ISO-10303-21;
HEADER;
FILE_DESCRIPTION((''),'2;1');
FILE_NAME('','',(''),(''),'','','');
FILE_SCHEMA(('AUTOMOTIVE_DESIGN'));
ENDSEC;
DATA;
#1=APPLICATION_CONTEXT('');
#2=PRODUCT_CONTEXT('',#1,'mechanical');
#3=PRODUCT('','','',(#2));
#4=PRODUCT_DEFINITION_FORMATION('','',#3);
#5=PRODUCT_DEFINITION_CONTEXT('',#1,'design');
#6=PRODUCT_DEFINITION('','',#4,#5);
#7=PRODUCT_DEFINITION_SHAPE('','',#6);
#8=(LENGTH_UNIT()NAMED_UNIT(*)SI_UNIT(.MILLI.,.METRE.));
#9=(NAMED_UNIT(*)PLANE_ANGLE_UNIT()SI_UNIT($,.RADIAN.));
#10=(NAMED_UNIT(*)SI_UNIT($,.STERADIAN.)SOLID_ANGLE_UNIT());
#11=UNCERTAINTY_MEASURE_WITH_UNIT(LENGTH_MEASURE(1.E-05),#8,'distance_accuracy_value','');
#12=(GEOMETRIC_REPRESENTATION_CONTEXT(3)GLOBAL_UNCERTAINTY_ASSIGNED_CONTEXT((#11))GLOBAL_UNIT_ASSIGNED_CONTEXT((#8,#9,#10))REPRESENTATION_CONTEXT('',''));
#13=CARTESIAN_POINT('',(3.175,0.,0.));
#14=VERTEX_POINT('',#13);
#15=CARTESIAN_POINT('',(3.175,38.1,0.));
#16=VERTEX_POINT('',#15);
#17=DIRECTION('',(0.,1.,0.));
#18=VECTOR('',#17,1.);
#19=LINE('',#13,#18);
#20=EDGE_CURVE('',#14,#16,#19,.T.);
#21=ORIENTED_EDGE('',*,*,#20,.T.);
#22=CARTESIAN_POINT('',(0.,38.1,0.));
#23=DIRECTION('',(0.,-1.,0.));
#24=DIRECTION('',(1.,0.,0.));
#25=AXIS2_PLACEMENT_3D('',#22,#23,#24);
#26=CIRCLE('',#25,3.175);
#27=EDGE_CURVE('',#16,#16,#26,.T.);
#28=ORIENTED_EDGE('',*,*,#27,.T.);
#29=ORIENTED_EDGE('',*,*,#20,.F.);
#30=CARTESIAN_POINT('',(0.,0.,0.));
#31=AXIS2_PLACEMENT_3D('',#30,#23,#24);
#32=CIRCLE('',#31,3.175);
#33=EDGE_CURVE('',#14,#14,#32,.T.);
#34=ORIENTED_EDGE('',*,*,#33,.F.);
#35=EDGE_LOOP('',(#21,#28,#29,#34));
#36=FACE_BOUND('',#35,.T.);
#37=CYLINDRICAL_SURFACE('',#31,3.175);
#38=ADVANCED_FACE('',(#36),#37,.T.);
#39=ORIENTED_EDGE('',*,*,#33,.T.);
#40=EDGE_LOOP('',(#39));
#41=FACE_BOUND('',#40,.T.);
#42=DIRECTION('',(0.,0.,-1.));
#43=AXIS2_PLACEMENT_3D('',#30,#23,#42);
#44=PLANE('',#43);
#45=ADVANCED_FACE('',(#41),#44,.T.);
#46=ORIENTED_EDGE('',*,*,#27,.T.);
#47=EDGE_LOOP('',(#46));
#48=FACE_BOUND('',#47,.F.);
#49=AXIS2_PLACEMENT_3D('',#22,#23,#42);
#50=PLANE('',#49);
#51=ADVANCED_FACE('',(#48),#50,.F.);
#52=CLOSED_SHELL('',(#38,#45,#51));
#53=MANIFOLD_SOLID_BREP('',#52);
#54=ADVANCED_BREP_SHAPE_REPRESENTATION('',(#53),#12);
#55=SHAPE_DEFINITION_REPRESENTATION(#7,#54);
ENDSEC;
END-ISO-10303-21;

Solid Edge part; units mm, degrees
sketch "Sketch1" plane through (0, 0, 0) normal (0, -1, 0) x (1, 0, 0)
  circle A0 centre (0, 0) radius 3.175
  dimension "D1" = 6.35
extrude "Protrusion1" add sketch "Sketch1" against normal blind 38.1
properties part number "SPaRC"
